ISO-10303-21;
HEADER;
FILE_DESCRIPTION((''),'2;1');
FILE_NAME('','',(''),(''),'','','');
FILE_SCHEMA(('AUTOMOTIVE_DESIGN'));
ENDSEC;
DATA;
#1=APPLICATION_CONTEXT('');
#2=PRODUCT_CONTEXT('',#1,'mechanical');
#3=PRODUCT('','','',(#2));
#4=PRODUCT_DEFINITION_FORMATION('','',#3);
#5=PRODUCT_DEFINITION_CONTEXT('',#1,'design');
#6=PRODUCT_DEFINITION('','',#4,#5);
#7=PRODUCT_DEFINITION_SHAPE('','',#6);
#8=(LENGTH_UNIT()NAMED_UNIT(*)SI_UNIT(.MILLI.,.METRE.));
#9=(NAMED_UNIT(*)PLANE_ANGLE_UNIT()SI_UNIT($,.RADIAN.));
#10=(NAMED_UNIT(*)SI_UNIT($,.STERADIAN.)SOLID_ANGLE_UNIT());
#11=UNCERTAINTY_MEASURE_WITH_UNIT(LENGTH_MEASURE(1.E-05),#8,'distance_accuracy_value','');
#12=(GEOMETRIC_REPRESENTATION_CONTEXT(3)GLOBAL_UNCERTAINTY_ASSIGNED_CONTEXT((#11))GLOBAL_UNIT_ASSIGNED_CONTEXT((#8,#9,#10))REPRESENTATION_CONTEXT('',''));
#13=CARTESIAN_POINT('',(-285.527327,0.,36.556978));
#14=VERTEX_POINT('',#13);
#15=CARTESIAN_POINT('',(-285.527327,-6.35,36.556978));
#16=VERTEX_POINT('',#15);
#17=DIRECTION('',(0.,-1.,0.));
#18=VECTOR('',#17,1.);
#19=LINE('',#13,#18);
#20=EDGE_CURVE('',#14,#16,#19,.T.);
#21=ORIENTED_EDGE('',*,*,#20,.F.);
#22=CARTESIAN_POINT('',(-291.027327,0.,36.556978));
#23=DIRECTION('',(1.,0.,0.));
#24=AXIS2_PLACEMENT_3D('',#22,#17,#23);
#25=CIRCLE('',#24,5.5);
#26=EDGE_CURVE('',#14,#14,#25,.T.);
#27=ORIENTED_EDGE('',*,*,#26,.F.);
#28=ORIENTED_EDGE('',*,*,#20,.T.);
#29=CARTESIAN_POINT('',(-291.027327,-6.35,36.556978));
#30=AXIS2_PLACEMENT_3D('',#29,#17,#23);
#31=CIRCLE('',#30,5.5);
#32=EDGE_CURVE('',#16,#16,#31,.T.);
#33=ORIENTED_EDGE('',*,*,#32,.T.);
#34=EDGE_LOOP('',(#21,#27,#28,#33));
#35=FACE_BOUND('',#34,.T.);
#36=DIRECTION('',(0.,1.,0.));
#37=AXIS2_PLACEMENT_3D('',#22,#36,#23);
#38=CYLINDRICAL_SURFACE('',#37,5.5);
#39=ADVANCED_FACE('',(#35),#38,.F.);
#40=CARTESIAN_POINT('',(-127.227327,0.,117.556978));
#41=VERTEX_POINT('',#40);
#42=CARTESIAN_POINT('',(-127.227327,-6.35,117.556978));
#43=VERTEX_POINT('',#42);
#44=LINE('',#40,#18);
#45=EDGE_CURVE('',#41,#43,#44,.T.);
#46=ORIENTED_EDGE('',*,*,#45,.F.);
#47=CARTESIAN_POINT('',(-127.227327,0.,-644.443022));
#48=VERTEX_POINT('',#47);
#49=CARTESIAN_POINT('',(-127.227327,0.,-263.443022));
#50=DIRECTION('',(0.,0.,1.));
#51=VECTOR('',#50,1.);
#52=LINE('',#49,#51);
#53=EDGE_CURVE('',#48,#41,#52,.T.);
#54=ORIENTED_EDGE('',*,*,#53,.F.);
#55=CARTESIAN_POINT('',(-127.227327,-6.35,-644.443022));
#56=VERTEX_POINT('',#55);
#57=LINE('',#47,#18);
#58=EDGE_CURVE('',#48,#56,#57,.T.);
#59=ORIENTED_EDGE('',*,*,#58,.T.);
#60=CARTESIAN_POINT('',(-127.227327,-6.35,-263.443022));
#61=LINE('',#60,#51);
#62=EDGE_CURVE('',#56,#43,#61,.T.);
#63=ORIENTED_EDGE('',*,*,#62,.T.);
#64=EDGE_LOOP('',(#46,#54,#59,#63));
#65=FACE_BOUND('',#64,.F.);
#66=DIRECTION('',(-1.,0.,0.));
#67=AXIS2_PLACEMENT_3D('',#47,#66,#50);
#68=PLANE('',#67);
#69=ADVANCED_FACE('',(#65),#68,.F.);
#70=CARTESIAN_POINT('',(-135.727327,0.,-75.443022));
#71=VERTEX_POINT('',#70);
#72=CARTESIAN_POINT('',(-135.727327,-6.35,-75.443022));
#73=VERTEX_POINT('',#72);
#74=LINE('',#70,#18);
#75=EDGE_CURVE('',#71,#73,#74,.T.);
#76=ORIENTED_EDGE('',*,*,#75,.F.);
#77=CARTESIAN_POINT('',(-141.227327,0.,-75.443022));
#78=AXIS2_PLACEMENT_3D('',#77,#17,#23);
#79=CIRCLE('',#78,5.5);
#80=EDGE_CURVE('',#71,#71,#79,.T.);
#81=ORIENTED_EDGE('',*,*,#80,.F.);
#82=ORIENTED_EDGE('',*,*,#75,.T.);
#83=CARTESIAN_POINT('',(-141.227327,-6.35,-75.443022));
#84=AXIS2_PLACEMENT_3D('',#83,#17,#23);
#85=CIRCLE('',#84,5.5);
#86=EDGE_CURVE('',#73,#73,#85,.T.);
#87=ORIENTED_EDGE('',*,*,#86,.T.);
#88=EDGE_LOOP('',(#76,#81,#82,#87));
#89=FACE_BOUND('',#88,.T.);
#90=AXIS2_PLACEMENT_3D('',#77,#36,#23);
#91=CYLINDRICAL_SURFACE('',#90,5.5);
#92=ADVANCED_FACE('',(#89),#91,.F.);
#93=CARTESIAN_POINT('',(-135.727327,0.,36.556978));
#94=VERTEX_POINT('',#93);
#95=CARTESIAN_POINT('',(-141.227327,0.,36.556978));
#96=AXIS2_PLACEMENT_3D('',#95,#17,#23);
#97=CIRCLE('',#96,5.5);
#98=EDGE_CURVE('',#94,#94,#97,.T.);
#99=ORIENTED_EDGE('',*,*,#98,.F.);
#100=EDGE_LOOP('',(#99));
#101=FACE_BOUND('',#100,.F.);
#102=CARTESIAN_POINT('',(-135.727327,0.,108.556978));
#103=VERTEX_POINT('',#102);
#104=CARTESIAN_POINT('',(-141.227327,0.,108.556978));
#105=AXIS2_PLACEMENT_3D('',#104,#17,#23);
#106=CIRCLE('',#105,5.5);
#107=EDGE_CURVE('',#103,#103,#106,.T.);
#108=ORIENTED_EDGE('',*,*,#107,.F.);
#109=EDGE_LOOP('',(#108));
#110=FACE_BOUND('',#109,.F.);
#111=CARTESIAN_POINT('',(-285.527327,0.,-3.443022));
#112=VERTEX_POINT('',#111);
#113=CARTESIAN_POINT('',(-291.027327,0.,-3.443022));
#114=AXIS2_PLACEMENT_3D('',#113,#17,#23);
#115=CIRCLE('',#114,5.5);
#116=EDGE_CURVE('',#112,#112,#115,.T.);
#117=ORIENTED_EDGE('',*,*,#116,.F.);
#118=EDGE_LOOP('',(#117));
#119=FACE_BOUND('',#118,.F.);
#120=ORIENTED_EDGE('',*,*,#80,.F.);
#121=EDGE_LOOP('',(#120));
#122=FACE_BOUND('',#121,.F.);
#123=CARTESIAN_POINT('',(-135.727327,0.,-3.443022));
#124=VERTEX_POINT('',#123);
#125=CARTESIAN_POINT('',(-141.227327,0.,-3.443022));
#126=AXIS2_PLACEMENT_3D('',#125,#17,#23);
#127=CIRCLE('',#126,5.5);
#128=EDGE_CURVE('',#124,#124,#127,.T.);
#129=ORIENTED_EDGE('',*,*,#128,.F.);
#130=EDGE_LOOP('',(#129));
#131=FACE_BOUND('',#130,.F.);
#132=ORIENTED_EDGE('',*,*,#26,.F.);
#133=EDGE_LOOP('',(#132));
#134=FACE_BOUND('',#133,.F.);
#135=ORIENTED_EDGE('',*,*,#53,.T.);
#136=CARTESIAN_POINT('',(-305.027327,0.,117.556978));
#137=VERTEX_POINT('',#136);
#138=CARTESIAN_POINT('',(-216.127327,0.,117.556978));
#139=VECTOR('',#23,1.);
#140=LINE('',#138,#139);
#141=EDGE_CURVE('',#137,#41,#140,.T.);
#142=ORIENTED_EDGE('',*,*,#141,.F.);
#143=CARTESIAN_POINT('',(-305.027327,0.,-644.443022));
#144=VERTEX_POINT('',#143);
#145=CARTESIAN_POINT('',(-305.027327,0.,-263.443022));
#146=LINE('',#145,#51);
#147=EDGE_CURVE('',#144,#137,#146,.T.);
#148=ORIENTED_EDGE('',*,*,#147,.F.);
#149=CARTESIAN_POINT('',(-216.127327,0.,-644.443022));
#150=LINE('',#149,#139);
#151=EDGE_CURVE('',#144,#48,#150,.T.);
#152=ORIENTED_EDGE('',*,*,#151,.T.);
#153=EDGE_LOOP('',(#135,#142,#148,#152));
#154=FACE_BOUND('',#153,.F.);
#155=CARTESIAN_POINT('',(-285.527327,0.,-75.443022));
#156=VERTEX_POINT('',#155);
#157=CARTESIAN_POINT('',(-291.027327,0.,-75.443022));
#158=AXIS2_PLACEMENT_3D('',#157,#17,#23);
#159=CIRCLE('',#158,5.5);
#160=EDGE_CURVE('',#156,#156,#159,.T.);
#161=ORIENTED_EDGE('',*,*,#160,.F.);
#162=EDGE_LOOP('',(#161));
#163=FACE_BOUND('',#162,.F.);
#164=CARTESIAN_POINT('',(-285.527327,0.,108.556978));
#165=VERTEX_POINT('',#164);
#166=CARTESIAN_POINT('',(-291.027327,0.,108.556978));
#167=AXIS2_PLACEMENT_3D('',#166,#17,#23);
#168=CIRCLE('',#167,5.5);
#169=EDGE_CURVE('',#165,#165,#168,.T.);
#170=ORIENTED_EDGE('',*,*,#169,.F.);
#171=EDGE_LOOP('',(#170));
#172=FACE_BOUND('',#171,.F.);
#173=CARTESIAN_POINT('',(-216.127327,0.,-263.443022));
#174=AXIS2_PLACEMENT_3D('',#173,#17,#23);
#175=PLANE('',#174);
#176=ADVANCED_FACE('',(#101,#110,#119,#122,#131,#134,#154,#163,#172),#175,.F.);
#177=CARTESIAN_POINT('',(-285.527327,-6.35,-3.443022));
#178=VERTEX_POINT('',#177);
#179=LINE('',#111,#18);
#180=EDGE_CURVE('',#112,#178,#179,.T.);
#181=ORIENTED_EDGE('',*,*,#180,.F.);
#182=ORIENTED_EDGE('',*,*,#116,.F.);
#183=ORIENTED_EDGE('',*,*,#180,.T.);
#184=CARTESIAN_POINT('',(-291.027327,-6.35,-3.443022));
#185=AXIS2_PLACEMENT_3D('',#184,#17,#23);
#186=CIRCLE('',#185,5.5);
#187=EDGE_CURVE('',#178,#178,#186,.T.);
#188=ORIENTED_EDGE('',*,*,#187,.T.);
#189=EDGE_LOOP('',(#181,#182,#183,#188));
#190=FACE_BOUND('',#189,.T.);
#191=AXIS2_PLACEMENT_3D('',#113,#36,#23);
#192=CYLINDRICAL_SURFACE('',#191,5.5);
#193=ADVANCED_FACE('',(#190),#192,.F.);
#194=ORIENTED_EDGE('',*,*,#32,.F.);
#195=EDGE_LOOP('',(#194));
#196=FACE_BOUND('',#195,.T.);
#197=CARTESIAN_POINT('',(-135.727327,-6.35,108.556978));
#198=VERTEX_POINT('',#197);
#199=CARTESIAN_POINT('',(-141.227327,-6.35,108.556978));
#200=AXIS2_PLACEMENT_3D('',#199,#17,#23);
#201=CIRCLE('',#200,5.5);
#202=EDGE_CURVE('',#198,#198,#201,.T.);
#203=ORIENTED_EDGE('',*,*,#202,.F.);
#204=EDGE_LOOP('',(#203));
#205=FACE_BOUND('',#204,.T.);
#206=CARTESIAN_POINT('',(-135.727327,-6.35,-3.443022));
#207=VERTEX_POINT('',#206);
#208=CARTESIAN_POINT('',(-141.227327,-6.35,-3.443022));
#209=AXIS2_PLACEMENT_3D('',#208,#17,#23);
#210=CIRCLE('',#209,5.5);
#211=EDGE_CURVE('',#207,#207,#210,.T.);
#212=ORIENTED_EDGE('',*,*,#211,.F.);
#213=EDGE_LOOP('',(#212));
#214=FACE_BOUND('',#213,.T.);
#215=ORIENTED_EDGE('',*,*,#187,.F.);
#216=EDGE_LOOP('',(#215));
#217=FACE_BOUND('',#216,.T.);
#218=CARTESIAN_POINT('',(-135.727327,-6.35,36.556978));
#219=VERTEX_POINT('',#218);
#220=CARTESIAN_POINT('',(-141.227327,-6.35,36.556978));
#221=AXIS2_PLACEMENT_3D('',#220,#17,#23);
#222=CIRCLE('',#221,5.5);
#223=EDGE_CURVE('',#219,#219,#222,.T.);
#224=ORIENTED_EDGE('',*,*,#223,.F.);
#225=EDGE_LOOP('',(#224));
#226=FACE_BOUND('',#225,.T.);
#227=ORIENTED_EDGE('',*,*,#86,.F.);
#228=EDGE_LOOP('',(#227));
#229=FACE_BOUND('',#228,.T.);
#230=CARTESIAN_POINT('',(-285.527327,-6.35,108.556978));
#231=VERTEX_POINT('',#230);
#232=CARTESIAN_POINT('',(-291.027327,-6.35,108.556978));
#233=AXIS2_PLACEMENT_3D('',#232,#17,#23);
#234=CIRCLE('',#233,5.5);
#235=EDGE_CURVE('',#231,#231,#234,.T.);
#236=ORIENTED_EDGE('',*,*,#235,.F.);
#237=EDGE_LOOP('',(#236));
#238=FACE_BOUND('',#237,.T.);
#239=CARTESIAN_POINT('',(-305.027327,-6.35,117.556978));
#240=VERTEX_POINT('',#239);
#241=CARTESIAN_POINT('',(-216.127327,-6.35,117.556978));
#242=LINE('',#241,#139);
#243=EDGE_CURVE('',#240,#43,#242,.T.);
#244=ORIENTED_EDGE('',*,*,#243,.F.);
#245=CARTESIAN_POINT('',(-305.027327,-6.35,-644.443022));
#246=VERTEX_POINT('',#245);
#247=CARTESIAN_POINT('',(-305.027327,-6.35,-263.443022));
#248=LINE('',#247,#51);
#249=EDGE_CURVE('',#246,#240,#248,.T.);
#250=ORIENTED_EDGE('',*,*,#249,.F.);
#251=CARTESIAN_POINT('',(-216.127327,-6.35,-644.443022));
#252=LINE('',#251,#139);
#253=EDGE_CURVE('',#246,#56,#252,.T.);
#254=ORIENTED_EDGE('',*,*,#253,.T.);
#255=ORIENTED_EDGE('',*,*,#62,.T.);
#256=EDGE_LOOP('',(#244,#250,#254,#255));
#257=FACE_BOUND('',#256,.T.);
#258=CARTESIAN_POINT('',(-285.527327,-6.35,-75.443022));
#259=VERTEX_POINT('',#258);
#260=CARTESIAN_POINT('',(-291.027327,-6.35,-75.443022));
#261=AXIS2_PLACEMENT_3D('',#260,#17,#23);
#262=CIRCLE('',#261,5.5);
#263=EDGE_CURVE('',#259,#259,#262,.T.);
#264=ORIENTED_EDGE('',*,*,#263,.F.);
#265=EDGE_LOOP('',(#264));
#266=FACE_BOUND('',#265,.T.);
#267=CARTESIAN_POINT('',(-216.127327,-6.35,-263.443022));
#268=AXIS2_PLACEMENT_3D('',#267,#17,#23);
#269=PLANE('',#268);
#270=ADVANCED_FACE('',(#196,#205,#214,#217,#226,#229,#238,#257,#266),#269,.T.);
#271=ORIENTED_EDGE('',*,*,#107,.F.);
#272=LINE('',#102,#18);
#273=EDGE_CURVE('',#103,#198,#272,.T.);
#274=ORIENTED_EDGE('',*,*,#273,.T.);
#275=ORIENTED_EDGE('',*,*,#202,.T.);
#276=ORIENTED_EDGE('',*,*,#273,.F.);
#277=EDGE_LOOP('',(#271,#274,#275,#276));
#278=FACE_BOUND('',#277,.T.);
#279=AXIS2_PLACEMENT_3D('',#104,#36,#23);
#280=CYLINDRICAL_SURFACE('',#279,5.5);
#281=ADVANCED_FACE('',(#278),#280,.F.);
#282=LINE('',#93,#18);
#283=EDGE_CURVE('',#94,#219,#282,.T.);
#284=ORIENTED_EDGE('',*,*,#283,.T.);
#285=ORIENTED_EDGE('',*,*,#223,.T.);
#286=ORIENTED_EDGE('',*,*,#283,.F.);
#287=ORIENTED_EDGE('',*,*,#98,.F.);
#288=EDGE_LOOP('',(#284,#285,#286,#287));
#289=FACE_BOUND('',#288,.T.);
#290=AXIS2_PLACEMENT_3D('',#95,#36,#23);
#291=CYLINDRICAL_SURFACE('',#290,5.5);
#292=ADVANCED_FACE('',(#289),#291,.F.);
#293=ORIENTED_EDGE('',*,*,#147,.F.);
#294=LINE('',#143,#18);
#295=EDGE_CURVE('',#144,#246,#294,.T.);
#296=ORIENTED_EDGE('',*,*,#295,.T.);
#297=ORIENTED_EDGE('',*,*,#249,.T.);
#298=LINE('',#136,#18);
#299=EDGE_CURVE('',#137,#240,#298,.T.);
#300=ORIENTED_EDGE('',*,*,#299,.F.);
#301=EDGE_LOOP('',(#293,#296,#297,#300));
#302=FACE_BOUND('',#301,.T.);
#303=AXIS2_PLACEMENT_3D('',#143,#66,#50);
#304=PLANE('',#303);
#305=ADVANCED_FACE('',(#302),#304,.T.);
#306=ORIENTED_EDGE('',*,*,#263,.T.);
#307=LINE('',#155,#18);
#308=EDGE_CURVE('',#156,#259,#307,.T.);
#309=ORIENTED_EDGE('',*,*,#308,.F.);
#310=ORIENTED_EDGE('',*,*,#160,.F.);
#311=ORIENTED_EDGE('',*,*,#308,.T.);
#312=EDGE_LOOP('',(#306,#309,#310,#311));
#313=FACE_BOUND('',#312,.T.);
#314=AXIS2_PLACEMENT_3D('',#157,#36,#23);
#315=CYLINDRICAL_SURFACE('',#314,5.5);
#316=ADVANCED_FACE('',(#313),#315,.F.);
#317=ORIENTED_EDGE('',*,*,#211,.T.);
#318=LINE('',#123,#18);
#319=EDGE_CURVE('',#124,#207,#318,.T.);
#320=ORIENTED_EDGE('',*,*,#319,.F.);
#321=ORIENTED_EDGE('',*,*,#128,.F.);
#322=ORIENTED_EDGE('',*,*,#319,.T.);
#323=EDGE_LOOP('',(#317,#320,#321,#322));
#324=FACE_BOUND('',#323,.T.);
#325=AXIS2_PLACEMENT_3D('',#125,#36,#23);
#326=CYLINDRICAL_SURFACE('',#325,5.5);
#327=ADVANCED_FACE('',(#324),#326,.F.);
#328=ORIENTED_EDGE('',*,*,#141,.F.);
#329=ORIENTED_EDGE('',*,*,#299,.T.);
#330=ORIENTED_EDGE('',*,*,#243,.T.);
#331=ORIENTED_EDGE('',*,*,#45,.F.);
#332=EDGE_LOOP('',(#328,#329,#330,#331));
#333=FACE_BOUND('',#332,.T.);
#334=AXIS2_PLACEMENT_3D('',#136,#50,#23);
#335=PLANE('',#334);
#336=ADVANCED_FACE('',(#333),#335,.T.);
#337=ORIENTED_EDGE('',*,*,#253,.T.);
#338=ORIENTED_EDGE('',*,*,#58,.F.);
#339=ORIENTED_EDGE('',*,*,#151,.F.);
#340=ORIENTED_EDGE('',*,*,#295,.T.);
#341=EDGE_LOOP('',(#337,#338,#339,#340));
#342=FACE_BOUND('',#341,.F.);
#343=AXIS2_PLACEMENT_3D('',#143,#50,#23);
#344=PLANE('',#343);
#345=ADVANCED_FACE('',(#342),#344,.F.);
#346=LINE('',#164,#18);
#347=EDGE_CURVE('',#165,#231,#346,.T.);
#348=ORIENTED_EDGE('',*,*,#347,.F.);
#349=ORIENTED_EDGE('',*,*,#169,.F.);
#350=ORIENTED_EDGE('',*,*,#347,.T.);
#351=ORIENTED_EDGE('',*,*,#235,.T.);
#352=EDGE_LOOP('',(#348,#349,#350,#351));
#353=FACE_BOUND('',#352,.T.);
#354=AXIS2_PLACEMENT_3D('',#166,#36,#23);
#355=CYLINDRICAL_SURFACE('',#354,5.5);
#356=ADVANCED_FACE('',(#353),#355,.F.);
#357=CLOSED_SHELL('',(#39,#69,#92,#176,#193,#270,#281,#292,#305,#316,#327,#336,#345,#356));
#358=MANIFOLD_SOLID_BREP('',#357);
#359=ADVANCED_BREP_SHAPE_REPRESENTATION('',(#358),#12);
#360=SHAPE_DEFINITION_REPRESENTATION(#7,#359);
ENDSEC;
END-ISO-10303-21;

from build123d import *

# Parameters (mm, degrees)
F0_W     = 177.8
F0_H     = 762
F0_R     = 5.5
F1_DEPTH = 6.35


with BuildPart() as f1:
    # F0 (on Front) → F1 (new body)
    with BuildSketch(Plane.XZ):
        with Locations((-216.127327, -263.443022)):
            Rectangle(F0_W, F0_H)
        with Locations((-291.027327, -75.443022)):
            Circle(F0_R, mode=Mode.SUBTRACT)
        with Locations((-291.027327, -3.443022)):
            Circle(F0_R, mode=Mode.SUBTRACT)
        with Locations((-291.027327, 36.556978)):
            Circle(F0_R, mode=Mode.SUBTRACT)
        with Locations((-291.027327, 108.556978)):
            Circle(F0_R, mode=Mode.SUBTRACT)
        with Locations((-141.227327, -75.443022)):
            Circle(F0_R, mode=Mode.SUBTRACT)
        with Locations((-141.227327, -3.443022)):
            Circle(F0_R, mode=Mode.SUBTRACT)
        with Locations((-141.227327, 36.556978)):
            Circle(F0_R, mode=Mode.SUBTRACT)
        with Locations((-141.227327, 108.556978)):
            Circle(F0_R, mode=Mode.SUBTRACT)
    extrude(amount=F1_DEPTH)


solid = f1.part
